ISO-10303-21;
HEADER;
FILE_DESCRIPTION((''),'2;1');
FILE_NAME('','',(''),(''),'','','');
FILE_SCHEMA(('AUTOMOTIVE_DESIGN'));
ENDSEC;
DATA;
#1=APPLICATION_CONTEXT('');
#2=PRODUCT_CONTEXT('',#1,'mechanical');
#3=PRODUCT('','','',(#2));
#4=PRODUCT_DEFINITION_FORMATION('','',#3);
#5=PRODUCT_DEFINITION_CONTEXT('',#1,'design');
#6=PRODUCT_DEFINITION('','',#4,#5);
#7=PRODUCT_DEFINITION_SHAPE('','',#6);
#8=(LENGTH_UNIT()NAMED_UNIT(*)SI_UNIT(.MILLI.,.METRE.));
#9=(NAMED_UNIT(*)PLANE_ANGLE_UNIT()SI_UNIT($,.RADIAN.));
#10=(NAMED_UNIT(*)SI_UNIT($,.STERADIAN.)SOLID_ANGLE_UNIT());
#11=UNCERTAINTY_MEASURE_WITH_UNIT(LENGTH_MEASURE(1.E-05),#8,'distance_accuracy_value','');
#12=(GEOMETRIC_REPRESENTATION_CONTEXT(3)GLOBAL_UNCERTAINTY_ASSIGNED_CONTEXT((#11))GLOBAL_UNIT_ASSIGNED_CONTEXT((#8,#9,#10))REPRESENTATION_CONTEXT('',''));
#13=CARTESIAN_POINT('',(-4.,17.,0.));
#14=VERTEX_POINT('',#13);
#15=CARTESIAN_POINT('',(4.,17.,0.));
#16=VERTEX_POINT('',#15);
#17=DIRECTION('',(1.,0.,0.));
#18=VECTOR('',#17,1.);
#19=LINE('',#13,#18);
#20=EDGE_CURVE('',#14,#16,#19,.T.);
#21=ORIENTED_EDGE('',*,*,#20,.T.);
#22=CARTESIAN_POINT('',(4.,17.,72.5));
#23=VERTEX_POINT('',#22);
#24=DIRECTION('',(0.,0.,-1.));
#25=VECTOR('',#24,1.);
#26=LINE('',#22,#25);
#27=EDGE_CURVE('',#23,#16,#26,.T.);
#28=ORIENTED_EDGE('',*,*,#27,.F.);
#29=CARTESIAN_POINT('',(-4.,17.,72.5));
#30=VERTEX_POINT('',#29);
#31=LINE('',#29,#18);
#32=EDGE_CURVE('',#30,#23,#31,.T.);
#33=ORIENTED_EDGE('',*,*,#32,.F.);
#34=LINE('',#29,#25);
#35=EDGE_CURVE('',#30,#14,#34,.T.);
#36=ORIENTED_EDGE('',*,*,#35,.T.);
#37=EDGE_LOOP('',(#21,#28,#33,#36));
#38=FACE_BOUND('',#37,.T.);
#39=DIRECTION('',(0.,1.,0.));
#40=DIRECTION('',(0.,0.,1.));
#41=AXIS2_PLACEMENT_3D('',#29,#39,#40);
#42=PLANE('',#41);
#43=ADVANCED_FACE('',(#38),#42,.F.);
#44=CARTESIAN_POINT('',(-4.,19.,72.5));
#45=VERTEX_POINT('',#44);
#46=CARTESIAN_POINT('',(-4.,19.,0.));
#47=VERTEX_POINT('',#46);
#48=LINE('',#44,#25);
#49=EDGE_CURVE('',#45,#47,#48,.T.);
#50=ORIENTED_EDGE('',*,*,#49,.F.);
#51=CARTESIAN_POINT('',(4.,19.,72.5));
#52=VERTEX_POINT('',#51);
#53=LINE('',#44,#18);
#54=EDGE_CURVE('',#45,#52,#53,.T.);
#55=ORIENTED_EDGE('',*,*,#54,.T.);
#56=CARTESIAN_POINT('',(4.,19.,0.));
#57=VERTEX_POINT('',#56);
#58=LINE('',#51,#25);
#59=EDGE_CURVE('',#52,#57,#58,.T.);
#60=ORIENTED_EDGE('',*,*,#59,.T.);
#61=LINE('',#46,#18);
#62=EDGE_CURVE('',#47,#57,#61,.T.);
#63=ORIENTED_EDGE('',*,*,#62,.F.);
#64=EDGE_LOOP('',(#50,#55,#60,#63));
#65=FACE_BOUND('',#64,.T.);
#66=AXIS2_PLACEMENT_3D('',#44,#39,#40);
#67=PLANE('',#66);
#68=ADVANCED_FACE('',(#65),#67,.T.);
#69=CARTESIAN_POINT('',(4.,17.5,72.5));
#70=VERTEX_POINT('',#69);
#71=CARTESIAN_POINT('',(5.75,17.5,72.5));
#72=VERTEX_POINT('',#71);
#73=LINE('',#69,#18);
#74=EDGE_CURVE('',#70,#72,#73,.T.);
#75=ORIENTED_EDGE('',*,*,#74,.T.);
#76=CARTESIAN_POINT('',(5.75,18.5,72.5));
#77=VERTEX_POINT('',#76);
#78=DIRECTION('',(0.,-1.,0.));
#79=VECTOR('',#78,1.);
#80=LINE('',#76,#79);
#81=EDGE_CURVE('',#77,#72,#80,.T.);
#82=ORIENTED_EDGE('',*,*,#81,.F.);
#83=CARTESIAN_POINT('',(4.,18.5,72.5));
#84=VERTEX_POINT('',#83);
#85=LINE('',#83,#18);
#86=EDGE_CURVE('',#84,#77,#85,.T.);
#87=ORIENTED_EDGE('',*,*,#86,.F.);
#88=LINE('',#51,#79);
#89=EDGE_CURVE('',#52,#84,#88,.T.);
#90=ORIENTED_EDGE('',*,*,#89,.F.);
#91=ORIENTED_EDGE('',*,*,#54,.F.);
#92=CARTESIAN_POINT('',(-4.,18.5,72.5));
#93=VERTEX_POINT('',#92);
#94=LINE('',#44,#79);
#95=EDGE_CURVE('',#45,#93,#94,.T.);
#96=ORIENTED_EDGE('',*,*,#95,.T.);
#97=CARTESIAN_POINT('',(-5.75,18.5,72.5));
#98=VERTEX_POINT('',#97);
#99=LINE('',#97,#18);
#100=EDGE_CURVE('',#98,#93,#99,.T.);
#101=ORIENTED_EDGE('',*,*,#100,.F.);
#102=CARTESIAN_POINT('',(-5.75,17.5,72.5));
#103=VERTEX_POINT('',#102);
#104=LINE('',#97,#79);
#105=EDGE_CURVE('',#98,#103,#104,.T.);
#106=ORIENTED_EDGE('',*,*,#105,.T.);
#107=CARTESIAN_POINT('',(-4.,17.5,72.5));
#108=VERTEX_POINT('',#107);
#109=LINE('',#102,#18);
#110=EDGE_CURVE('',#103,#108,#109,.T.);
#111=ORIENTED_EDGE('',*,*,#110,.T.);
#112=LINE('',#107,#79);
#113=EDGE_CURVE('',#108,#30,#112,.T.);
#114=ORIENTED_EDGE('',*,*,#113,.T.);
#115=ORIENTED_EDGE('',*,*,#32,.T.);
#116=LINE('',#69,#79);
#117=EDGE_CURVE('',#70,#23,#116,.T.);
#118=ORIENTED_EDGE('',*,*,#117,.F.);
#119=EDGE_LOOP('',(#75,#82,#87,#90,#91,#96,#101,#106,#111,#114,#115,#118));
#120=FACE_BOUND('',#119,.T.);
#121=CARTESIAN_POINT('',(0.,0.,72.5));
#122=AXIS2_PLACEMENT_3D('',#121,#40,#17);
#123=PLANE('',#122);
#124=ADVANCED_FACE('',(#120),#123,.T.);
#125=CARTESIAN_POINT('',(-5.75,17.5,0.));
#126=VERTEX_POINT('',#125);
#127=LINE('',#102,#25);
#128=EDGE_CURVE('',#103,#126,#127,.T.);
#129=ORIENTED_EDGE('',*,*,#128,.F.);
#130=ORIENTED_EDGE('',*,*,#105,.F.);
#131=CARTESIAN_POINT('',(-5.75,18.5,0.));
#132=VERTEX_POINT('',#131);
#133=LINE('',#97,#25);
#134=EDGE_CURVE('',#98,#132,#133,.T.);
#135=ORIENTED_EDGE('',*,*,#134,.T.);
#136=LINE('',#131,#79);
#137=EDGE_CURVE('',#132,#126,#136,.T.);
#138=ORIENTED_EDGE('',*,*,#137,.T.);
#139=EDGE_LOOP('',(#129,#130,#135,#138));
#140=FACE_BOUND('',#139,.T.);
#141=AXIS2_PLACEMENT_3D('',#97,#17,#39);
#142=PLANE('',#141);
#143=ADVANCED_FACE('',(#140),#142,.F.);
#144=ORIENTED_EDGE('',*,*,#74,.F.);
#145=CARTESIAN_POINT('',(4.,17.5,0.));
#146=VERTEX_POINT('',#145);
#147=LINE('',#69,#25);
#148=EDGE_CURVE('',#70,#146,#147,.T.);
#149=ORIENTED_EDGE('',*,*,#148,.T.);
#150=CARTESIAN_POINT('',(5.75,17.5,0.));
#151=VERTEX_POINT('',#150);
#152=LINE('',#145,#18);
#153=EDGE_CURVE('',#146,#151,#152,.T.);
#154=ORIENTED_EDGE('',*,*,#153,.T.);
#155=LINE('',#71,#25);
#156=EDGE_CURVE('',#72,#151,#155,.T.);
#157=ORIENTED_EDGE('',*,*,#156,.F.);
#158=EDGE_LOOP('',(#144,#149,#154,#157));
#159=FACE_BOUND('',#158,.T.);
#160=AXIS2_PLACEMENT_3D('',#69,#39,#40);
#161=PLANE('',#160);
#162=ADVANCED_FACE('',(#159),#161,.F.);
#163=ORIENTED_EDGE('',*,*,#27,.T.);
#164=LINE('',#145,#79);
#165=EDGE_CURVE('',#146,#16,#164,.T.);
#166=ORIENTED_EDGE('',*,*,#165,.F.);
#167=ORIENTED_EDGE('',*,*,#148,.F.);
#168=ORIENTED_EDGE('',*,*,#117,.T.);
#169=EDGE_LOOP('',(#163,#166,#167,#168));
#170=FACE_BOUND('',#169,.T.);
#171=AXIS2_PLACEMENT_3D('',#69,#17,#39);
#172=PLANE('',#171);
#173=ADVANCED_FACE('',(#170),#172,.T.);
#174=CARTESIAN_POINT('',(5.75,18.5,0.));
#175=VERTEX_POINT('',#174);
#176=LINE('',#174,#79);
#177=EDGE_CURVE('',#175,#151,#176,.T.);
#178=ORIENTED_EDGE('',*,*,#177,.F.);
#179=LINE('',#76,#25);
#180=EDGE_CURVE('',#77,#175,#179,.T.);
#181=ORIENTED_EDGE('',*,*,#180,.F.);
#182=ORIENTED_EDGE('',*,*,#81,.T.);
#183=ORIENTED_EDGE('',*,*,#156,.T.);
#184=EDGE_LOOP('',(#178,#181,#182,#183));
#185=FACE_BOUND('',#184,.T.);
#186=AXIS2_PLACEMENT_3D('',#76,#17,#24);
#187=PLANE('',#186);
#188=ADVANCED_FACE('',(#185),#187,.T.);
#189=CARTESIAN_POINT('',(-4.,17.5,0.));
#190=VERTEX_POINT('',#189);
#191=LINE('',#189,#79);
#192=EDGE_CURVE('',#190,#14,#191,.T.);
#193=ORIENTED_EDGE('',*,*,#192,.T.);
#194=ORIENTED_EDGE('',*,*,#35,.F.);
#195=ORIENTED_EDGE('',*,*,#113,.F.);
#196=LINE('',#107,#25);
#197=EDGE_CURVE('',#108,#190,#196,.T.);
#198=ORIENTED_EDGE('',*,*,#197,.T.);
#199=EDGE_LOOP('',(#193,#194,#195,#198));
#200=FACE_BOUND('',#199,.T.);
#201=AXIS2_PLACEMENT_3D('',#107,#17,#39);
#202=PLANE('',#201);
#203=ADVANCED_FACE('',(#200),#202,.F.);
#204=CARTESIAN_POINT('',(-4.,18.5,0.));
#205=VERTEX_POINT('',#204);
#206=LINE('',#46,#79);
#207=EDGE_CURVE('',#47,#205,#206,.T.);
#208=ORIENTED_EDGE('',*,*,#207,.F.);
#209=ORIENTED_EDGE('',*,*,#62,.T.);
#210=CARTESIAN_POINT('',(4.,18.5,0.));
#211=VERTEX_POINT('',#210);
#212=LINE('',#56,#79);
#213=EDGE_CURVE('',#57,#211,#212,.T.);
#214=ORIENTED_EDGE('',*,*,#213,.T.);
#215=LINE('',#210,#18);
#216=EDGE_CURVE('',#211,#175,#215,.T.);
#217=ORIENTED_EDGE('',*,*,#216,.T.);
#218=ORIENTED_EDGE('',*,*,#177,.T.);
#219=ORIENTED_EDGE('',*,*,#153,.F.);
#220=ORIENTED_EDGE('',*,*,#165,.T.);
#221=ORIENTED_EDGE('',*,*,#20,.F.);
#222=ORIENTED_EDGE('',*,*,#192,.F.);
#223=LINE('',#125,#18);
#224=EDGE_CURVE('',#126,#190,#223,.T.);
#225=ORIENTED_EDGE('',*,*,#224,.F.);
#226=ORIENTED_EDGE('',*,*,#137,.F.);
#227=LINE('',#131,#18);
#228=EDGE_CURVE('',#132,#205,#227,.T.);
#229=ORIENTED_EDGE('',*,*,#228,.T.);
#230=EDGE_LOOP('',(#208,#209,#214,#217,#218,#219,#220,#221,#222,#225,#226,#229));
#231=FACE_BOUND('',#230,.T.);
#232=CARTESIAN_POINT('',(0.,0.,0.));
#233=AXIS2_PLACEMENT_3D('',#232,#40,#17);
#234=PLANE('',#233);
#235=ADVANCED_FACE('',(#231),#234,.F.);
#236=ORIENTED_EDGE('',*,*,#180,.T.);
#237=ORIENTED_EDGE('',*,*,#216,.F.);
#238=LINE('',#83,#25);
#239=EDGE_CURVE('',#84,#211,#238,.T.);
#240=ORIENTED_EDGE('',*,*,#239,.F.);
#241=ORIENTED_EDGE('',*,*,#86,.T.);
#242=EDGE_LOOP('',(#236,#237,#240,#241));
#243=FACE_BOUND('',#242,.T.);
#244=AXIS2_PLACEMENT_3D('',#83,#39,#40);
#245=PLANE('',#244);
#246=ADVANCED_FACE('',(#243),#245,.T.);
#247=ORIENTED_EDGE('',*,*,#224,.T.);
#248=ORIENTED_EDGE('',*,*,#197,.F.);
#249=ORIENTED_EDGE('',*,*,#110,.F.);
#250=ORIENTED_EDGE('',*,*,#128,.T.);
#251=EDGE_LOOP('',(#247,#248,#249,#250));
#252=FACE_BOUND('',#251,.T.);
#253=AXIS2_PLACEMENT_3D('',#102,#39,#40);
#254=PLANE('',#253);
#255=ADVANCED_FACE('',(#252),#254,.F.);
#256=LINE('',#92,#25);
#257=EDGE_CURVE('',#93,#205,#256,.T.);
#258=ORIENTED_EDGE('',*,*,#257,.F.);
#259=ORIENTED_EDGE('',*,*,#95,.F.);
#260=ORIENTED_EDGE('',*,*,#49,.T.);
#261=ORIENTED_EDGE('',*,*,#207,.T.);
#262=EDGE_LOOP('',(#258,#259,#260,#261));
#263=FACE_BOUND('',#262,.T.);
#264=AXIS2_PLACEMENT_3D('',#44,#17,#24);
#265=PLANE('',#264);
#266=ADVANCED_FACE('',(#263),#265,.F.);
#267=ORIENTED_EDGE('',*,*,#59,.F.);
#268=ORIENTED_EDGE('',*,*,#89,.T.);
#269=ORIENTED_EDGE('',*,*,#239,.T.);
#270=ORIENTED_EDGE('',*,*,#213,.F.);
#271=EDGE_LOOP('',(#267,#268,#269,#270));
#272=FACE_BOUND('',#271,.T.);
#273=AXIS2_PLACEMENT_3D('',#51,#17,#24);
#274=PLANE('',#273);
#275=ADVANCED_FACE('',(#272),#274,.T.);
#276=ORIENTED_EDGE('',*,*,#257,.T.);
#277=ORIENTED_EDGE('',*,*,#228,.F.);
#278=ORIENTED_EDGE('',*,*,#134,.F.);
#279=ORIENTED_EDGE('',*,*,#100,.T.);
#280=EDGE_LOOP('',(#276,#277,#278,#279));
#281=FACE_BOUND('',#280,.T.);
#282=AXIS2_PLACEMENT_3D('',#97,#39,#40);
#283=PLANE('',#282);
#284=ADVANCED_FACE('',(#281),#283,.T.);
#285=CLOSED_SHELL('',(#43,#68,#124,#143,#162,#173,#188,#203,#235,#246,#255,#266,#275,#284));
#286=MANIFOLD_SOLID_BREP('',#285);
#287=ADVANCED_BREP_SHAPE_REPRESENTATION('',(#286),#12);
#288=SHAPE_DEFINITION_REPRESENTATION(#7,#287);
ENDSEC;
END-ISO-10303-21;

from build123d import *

# Parameters (mm, degrees)
BOSS_EXTRUDE1_DEPTH = 72.5


with BuildPart() as part:
    # Sketch1 → Boss-Extrude1 (new body)
    with BuildSketch(Plane.XY):
        Polygon((-4, 17.5), (-4, 17), (4, 17), (4, 17.5), (5.75, 17.5), (5.75, 18.5), (4, 18.5), (4, 19), (-4, 19), (-4, 18.5), (-5.75, 18.5), (-5.75, 17.5), align=None)
    extrude(amount=BOSS_EXTRUDE1_DEPTH)


solid = part.part
